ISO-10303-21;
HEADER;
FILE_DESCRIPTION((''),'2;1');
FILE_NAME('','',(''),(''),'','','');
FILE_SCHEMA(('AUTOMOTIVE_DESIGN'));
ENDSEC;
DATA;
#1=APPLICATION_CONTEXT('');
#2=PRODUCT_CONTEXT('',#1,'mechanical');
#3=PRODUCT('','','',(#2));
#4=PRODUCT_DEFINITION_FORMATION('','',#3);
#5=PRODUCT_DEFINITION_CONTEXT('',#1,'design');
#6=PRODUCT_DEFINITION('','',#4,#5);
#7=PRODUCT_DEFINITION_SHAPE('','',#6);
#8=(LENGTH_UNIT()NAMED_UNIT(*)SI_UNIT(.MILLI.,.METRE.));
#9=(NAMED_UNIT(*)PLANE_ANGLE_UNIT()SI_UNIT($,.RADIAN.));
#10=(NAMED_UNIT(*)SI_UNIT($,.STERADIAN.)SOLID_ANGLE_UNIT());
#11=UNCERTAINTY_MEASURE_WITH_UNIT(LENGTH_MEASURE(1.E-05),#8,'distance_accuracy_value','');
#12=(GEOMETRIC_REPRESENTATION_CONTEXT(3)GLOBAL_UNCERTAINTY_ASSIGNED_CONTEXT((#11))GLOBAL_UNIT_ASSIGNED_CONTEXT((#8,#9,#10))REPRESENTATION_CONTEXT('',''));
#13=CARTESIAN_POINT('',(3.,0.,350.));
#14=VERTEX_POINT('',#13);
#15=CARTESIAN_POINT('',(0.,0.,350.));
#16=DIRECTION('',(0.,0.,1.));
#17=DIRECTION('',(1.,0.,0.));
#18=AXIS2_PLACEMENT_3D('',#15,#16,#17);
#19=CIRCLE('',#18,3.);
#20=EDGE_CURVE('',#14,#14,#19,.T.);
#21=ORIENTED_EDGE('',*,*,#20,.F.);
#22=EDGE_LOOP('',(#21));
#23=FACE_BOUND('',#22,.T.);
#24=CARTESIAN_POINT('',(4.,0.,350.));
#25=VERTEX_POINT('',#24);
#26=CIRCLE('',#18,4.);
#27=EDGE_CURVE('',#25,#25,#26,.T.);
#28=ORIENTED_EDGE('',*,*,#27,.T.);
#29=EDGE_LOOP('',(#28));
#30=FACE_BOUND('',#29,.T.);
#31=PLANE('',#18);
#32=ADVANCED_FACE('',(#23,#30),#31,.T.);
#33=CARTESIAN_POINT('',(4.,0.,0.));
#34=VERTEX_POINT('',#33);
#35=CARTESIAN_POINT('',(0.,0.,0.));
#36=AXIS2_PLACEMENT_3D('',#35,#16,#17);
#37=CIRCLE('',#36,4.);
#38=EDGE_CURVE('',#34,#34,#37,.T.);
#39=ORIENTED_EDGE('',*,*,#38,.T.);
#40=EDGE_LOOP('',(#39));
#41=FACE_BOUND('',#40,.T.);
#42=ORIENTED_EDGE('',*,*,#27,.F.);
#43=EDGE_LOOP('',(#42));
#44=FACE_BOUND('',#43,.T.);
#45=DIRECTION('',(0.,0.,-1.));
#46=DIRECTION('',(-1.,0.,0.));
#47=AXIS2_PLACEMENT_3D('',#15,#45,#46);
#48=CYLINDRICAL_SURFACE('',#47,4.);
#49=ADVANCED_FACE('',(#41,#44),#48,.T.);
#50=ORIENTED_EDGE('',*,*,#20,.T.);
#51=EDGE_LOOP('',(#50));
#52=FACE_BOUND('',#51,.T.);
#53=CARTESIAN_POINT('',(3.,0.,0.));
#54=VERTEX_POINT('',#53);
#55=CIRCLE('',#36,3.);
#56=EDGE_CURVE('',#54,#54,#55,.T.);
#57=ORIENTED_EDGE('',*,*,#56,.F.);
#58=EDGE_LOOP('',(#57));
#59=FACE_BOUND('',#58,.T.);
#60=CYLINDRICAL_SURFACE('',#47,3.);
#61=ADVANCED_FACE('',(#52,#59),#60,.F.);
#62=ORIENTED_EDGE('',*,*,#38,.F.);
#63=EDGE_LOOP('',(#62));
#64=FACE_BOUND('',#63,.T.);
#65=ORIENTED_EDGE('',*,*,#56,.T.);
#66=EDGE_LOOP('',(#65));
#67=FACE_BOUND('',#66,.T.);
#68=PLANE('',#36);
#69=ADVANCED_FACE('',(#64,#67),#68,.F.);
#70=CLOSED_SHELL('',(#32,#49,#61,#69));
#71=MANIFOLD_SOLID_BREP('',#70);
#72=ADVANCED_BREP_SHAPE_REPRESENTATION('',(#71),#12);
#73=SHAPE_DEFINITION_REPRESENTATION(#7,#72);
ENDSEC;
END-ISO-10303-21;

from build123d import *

# Parameters (mm, degrees)
ESQUISSE1_R        = 4
ESQUISSE1_R_2      = 3
EXTRU_MINCE1_DEPTH = 350


with BuildPart() as part:
    # Esquisse1 → Extru.-Mince1 (new body)
    with BuildSketch(Plane.XY):
        Circle(ESQUISSE1_R)
        Circle(ESQUISSE1_R_2, mode=Mode.SUBTRACT)
    extrude(amount=EXTRU_MINCE1_DEPTH)


solid = part.part
